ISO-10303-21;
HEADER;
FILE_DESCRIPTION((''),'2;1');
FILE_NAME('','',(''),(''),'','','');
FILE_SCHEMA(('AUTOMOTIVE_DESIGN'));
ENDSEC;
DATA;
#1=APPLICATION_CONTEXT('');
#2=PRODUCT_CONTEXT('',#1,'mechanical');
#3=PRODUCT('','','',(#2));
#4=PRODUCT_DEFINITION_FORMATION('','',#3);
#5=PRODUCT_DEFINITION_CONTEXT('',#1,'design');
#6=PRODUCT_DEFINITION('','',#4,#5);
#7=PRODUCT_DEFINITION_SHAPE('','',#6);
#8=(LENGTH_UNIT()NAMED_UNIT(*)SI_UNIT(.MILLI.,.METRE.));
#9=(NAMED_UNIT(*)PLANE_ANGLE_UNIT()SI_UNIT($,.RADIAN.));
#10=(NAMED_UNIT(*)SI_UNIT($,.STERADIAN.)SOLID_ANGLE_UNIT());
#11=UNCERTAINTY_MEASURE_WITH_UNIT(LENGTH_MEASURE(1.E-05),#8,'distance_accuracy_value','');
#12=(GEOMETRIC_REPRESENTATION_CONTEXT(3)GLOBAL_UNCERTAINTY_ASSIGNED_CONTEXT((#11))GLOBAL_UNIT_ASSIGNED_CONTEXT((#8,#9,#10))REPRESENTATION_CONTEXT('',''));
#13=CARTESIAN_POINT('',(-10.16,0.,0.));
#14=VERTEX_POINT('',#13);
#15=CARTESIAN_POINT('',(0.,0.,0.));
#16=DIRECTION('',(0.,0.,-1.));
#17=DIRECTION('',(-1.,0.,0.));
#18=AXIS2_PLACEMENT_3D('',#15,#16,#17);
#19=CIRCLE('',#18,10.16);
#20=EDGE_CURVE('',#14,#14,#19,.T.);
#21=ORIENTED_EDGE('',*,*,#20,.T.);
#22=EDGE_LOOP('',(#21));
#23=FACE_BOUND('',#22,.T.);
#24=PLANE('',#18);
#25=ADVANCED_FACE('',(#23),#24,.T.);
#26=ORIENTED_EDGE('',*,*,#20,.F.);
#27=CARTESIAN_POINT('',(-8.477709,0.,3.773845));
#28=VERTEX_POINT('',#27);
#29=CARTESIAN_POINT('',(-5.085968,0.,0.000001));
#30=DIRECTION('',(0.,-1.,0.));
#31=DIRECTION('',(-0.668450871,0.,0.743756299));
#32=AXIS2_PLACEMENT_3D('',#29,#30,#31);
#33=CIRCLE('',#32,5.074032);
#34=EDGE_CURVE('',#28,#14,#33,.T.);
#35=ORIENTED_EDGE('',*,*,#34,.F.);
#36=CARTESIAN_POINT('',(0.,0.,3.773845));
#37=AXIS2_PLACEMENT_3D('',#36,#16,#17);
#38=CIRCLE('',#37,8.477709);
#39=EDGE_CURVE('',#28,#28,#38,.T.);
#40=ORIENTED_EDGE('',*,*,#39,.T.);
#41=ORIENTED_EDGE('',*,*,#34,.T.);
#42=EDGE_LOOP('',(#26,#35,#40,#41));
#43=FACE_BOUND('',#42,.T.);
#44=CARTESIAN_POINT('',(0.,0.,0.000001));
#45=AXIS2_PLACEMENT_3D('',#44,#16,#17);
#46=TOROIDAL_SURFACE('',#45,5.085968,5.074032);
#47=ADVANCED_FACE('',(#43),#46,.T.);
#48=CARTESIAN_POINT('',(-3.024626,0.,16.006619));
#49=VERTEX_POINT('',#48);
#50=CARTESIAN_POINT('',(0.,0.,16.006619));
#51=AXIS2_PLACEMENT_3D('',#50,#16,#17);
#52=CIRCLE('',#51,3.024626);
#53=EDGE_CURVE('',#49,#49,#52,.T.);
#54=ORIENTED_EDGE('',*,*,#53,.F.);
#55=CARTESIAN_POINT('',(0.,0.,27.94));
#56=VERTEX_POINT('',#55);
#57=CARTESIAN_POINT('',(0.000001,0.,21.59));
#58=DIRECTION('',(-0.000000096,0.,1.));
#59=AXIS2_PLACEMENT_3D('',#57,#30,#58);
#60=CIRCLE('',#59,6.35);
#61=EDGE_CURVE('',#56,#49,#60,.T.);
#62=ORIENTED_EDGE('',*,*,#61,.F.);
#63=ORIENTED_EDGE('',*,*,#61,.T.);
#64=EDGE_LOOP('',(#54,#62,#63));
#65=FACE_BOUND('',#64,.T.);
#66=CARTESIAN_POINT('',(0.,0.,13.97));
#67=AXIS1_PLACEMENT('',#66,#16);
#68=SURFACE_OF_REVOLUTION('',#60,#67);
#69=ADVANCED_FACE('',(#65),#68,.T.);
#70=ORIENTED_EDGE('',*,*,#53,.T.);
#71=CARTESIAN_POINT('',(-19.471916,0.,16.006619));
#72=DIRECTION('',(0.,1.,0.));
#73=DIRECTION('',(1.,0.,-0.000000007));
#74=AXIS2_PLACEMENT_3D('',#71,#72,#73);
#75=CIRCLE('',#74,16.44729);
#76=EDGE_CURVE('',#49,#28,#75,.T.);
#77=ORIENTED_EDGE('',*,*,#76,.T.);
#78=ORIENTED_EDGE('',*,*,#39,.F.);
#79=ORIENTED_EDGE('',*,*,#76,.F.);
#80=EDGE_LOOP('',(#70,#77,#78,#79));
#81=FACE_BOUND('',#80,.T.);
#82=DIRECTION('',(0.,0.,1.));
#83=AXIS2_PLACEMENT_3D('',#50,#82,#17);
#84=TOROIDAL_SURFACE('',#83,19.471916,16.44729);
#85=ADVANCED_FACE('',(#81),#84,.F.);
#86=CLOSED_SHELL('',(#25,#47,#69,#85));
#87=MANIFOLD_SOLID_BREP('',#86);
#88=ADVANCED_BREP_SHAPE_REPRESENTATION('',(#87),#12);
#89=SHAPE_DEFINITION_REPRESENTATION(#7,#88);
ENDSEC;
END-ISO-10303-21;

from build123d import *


with BuildPart() as f1:
    # F0 (on Front) → F1 (revolve)
    with BuildSketch(Plane.XZ):
        with BuildLine():
            Line((0, 15.24), (0, 27.94))
            ThreePointArc((0, 27.94), (-6.155362, 23.150133), (-3.024626, 16.006619))
            ThreePointArc((-3.024626, 16.006619), (-1.560133, 15.434638), (0, 15.24))
        make_face()
        with BuildLine():
            ThreePointArc((0, 15.24), (-1.560133, 15.434638), (-3.024626, 16.006619))
            ThreePointArc((-3.024626, 16.006619), (-4.449628, 9.310037), (-8.477709, 3.773845))
            ThreePointArc((-8.477709, 3.773845), (-9.720383, 2.065915), (-10.16, 0))
            Line((-10.16, 0), (0, 0))
            Line((0, 0), (0, 15.24))
        make_face()
    revolve(axis=Axis((0, 0, 13.97), (0, 0, -1)))


solid = f1.part
